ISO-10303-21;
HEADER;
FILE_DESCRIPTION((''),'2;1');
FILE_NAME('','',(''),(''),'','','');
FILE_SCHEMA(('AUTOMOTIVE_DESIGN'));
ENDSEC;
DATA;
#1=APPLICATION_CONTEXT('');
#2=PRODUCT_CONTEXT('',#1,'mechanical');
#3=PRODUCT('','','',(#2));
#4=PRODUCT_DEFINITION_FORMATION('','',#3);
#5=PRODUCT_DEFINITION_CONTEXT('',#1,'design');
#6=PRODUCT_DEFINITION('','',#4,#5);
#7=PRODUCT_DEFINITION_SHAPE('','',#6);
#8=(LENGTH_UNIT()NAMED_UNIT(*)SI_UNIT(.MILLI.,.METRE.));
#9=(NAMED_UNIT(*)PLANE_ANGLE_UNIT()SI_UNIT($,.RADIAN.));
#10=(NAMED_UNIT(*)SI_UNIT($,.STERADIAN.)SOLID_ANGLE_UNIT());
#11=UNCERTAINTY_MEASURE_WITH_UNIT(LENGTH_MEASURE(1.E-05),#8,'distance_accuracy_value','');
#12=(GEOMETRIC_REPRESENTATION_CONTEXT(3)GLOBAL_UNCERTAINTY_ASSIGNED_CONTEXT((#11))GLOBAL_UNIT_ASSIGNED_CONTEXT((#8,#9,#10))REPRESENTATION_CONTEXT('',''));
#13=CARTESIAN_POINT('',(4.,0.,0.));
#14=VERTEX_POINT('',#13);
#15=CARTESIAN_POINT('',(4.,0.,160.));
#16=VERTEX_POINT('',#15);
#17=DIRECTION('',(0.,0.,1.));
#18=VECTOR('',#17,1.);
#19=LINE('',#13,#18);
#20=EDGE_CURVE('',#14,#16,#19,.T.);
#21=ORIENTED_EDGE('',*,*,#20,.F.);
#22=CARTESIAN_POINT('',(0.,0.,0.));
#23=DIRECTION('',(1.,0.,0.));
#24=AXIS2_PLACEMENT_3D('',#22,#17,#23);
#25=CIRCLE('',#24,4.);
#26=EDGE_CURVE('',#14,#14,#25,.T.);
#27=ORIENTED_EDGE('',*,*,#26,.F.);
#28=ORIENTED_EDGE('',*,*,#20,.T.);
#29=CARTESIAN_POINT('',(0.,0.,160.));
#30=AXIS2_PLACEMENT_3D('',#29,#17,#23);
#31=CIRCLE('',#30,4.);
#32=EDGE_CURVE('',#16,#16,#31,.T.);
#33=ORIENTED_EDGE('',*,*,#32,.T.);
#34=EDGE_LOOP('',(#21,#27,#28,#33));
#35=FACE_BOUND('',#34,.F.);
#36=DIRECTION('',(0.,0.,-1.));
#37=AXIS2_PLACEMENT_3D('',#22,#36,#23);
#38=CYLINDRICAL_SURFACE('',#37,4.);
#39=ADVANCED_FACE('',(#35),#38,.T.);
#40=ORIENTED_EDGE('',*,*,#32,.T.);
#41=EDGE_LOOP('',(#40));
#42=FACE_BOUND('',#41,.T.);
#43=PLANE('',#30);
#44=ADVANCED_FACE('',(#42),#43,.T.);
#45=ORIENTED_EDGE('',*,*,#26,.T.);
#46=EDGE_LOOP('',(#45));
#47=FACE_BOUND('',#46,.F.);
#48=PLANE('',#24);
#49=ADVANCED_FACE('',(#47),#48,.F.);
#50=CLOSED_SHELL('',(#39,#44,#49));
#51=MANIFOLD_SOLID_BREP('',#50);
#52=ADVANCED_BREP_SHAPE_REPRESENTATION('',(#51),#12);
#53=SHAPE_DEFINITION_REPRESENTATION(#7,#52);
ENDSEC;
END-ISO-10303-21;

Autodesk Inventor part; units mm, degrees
ref_plane "YZ Plane" through (0, 0, 0) normal (1, 0, 0) x (0, 1, 0)
ref_plane "XZ Plane" through (0, 0, 0) normal (0, 1, 0) x (-1, 0, 0)
ref_plane "XY Plane" through (0, 0, 0) normal (0, 0, 1) x (1, 0, 0)
sketch "Sketch1" plane through (0, 0, 0) normal (0, 0, 1) x (1, 0, 0)
  circle A0 centre (0, 0) radius 4
  dimension "d0" = 8
extrude "Extrusion1" add sketch "Sketch1" along normal blind 160
properties part number "as"
